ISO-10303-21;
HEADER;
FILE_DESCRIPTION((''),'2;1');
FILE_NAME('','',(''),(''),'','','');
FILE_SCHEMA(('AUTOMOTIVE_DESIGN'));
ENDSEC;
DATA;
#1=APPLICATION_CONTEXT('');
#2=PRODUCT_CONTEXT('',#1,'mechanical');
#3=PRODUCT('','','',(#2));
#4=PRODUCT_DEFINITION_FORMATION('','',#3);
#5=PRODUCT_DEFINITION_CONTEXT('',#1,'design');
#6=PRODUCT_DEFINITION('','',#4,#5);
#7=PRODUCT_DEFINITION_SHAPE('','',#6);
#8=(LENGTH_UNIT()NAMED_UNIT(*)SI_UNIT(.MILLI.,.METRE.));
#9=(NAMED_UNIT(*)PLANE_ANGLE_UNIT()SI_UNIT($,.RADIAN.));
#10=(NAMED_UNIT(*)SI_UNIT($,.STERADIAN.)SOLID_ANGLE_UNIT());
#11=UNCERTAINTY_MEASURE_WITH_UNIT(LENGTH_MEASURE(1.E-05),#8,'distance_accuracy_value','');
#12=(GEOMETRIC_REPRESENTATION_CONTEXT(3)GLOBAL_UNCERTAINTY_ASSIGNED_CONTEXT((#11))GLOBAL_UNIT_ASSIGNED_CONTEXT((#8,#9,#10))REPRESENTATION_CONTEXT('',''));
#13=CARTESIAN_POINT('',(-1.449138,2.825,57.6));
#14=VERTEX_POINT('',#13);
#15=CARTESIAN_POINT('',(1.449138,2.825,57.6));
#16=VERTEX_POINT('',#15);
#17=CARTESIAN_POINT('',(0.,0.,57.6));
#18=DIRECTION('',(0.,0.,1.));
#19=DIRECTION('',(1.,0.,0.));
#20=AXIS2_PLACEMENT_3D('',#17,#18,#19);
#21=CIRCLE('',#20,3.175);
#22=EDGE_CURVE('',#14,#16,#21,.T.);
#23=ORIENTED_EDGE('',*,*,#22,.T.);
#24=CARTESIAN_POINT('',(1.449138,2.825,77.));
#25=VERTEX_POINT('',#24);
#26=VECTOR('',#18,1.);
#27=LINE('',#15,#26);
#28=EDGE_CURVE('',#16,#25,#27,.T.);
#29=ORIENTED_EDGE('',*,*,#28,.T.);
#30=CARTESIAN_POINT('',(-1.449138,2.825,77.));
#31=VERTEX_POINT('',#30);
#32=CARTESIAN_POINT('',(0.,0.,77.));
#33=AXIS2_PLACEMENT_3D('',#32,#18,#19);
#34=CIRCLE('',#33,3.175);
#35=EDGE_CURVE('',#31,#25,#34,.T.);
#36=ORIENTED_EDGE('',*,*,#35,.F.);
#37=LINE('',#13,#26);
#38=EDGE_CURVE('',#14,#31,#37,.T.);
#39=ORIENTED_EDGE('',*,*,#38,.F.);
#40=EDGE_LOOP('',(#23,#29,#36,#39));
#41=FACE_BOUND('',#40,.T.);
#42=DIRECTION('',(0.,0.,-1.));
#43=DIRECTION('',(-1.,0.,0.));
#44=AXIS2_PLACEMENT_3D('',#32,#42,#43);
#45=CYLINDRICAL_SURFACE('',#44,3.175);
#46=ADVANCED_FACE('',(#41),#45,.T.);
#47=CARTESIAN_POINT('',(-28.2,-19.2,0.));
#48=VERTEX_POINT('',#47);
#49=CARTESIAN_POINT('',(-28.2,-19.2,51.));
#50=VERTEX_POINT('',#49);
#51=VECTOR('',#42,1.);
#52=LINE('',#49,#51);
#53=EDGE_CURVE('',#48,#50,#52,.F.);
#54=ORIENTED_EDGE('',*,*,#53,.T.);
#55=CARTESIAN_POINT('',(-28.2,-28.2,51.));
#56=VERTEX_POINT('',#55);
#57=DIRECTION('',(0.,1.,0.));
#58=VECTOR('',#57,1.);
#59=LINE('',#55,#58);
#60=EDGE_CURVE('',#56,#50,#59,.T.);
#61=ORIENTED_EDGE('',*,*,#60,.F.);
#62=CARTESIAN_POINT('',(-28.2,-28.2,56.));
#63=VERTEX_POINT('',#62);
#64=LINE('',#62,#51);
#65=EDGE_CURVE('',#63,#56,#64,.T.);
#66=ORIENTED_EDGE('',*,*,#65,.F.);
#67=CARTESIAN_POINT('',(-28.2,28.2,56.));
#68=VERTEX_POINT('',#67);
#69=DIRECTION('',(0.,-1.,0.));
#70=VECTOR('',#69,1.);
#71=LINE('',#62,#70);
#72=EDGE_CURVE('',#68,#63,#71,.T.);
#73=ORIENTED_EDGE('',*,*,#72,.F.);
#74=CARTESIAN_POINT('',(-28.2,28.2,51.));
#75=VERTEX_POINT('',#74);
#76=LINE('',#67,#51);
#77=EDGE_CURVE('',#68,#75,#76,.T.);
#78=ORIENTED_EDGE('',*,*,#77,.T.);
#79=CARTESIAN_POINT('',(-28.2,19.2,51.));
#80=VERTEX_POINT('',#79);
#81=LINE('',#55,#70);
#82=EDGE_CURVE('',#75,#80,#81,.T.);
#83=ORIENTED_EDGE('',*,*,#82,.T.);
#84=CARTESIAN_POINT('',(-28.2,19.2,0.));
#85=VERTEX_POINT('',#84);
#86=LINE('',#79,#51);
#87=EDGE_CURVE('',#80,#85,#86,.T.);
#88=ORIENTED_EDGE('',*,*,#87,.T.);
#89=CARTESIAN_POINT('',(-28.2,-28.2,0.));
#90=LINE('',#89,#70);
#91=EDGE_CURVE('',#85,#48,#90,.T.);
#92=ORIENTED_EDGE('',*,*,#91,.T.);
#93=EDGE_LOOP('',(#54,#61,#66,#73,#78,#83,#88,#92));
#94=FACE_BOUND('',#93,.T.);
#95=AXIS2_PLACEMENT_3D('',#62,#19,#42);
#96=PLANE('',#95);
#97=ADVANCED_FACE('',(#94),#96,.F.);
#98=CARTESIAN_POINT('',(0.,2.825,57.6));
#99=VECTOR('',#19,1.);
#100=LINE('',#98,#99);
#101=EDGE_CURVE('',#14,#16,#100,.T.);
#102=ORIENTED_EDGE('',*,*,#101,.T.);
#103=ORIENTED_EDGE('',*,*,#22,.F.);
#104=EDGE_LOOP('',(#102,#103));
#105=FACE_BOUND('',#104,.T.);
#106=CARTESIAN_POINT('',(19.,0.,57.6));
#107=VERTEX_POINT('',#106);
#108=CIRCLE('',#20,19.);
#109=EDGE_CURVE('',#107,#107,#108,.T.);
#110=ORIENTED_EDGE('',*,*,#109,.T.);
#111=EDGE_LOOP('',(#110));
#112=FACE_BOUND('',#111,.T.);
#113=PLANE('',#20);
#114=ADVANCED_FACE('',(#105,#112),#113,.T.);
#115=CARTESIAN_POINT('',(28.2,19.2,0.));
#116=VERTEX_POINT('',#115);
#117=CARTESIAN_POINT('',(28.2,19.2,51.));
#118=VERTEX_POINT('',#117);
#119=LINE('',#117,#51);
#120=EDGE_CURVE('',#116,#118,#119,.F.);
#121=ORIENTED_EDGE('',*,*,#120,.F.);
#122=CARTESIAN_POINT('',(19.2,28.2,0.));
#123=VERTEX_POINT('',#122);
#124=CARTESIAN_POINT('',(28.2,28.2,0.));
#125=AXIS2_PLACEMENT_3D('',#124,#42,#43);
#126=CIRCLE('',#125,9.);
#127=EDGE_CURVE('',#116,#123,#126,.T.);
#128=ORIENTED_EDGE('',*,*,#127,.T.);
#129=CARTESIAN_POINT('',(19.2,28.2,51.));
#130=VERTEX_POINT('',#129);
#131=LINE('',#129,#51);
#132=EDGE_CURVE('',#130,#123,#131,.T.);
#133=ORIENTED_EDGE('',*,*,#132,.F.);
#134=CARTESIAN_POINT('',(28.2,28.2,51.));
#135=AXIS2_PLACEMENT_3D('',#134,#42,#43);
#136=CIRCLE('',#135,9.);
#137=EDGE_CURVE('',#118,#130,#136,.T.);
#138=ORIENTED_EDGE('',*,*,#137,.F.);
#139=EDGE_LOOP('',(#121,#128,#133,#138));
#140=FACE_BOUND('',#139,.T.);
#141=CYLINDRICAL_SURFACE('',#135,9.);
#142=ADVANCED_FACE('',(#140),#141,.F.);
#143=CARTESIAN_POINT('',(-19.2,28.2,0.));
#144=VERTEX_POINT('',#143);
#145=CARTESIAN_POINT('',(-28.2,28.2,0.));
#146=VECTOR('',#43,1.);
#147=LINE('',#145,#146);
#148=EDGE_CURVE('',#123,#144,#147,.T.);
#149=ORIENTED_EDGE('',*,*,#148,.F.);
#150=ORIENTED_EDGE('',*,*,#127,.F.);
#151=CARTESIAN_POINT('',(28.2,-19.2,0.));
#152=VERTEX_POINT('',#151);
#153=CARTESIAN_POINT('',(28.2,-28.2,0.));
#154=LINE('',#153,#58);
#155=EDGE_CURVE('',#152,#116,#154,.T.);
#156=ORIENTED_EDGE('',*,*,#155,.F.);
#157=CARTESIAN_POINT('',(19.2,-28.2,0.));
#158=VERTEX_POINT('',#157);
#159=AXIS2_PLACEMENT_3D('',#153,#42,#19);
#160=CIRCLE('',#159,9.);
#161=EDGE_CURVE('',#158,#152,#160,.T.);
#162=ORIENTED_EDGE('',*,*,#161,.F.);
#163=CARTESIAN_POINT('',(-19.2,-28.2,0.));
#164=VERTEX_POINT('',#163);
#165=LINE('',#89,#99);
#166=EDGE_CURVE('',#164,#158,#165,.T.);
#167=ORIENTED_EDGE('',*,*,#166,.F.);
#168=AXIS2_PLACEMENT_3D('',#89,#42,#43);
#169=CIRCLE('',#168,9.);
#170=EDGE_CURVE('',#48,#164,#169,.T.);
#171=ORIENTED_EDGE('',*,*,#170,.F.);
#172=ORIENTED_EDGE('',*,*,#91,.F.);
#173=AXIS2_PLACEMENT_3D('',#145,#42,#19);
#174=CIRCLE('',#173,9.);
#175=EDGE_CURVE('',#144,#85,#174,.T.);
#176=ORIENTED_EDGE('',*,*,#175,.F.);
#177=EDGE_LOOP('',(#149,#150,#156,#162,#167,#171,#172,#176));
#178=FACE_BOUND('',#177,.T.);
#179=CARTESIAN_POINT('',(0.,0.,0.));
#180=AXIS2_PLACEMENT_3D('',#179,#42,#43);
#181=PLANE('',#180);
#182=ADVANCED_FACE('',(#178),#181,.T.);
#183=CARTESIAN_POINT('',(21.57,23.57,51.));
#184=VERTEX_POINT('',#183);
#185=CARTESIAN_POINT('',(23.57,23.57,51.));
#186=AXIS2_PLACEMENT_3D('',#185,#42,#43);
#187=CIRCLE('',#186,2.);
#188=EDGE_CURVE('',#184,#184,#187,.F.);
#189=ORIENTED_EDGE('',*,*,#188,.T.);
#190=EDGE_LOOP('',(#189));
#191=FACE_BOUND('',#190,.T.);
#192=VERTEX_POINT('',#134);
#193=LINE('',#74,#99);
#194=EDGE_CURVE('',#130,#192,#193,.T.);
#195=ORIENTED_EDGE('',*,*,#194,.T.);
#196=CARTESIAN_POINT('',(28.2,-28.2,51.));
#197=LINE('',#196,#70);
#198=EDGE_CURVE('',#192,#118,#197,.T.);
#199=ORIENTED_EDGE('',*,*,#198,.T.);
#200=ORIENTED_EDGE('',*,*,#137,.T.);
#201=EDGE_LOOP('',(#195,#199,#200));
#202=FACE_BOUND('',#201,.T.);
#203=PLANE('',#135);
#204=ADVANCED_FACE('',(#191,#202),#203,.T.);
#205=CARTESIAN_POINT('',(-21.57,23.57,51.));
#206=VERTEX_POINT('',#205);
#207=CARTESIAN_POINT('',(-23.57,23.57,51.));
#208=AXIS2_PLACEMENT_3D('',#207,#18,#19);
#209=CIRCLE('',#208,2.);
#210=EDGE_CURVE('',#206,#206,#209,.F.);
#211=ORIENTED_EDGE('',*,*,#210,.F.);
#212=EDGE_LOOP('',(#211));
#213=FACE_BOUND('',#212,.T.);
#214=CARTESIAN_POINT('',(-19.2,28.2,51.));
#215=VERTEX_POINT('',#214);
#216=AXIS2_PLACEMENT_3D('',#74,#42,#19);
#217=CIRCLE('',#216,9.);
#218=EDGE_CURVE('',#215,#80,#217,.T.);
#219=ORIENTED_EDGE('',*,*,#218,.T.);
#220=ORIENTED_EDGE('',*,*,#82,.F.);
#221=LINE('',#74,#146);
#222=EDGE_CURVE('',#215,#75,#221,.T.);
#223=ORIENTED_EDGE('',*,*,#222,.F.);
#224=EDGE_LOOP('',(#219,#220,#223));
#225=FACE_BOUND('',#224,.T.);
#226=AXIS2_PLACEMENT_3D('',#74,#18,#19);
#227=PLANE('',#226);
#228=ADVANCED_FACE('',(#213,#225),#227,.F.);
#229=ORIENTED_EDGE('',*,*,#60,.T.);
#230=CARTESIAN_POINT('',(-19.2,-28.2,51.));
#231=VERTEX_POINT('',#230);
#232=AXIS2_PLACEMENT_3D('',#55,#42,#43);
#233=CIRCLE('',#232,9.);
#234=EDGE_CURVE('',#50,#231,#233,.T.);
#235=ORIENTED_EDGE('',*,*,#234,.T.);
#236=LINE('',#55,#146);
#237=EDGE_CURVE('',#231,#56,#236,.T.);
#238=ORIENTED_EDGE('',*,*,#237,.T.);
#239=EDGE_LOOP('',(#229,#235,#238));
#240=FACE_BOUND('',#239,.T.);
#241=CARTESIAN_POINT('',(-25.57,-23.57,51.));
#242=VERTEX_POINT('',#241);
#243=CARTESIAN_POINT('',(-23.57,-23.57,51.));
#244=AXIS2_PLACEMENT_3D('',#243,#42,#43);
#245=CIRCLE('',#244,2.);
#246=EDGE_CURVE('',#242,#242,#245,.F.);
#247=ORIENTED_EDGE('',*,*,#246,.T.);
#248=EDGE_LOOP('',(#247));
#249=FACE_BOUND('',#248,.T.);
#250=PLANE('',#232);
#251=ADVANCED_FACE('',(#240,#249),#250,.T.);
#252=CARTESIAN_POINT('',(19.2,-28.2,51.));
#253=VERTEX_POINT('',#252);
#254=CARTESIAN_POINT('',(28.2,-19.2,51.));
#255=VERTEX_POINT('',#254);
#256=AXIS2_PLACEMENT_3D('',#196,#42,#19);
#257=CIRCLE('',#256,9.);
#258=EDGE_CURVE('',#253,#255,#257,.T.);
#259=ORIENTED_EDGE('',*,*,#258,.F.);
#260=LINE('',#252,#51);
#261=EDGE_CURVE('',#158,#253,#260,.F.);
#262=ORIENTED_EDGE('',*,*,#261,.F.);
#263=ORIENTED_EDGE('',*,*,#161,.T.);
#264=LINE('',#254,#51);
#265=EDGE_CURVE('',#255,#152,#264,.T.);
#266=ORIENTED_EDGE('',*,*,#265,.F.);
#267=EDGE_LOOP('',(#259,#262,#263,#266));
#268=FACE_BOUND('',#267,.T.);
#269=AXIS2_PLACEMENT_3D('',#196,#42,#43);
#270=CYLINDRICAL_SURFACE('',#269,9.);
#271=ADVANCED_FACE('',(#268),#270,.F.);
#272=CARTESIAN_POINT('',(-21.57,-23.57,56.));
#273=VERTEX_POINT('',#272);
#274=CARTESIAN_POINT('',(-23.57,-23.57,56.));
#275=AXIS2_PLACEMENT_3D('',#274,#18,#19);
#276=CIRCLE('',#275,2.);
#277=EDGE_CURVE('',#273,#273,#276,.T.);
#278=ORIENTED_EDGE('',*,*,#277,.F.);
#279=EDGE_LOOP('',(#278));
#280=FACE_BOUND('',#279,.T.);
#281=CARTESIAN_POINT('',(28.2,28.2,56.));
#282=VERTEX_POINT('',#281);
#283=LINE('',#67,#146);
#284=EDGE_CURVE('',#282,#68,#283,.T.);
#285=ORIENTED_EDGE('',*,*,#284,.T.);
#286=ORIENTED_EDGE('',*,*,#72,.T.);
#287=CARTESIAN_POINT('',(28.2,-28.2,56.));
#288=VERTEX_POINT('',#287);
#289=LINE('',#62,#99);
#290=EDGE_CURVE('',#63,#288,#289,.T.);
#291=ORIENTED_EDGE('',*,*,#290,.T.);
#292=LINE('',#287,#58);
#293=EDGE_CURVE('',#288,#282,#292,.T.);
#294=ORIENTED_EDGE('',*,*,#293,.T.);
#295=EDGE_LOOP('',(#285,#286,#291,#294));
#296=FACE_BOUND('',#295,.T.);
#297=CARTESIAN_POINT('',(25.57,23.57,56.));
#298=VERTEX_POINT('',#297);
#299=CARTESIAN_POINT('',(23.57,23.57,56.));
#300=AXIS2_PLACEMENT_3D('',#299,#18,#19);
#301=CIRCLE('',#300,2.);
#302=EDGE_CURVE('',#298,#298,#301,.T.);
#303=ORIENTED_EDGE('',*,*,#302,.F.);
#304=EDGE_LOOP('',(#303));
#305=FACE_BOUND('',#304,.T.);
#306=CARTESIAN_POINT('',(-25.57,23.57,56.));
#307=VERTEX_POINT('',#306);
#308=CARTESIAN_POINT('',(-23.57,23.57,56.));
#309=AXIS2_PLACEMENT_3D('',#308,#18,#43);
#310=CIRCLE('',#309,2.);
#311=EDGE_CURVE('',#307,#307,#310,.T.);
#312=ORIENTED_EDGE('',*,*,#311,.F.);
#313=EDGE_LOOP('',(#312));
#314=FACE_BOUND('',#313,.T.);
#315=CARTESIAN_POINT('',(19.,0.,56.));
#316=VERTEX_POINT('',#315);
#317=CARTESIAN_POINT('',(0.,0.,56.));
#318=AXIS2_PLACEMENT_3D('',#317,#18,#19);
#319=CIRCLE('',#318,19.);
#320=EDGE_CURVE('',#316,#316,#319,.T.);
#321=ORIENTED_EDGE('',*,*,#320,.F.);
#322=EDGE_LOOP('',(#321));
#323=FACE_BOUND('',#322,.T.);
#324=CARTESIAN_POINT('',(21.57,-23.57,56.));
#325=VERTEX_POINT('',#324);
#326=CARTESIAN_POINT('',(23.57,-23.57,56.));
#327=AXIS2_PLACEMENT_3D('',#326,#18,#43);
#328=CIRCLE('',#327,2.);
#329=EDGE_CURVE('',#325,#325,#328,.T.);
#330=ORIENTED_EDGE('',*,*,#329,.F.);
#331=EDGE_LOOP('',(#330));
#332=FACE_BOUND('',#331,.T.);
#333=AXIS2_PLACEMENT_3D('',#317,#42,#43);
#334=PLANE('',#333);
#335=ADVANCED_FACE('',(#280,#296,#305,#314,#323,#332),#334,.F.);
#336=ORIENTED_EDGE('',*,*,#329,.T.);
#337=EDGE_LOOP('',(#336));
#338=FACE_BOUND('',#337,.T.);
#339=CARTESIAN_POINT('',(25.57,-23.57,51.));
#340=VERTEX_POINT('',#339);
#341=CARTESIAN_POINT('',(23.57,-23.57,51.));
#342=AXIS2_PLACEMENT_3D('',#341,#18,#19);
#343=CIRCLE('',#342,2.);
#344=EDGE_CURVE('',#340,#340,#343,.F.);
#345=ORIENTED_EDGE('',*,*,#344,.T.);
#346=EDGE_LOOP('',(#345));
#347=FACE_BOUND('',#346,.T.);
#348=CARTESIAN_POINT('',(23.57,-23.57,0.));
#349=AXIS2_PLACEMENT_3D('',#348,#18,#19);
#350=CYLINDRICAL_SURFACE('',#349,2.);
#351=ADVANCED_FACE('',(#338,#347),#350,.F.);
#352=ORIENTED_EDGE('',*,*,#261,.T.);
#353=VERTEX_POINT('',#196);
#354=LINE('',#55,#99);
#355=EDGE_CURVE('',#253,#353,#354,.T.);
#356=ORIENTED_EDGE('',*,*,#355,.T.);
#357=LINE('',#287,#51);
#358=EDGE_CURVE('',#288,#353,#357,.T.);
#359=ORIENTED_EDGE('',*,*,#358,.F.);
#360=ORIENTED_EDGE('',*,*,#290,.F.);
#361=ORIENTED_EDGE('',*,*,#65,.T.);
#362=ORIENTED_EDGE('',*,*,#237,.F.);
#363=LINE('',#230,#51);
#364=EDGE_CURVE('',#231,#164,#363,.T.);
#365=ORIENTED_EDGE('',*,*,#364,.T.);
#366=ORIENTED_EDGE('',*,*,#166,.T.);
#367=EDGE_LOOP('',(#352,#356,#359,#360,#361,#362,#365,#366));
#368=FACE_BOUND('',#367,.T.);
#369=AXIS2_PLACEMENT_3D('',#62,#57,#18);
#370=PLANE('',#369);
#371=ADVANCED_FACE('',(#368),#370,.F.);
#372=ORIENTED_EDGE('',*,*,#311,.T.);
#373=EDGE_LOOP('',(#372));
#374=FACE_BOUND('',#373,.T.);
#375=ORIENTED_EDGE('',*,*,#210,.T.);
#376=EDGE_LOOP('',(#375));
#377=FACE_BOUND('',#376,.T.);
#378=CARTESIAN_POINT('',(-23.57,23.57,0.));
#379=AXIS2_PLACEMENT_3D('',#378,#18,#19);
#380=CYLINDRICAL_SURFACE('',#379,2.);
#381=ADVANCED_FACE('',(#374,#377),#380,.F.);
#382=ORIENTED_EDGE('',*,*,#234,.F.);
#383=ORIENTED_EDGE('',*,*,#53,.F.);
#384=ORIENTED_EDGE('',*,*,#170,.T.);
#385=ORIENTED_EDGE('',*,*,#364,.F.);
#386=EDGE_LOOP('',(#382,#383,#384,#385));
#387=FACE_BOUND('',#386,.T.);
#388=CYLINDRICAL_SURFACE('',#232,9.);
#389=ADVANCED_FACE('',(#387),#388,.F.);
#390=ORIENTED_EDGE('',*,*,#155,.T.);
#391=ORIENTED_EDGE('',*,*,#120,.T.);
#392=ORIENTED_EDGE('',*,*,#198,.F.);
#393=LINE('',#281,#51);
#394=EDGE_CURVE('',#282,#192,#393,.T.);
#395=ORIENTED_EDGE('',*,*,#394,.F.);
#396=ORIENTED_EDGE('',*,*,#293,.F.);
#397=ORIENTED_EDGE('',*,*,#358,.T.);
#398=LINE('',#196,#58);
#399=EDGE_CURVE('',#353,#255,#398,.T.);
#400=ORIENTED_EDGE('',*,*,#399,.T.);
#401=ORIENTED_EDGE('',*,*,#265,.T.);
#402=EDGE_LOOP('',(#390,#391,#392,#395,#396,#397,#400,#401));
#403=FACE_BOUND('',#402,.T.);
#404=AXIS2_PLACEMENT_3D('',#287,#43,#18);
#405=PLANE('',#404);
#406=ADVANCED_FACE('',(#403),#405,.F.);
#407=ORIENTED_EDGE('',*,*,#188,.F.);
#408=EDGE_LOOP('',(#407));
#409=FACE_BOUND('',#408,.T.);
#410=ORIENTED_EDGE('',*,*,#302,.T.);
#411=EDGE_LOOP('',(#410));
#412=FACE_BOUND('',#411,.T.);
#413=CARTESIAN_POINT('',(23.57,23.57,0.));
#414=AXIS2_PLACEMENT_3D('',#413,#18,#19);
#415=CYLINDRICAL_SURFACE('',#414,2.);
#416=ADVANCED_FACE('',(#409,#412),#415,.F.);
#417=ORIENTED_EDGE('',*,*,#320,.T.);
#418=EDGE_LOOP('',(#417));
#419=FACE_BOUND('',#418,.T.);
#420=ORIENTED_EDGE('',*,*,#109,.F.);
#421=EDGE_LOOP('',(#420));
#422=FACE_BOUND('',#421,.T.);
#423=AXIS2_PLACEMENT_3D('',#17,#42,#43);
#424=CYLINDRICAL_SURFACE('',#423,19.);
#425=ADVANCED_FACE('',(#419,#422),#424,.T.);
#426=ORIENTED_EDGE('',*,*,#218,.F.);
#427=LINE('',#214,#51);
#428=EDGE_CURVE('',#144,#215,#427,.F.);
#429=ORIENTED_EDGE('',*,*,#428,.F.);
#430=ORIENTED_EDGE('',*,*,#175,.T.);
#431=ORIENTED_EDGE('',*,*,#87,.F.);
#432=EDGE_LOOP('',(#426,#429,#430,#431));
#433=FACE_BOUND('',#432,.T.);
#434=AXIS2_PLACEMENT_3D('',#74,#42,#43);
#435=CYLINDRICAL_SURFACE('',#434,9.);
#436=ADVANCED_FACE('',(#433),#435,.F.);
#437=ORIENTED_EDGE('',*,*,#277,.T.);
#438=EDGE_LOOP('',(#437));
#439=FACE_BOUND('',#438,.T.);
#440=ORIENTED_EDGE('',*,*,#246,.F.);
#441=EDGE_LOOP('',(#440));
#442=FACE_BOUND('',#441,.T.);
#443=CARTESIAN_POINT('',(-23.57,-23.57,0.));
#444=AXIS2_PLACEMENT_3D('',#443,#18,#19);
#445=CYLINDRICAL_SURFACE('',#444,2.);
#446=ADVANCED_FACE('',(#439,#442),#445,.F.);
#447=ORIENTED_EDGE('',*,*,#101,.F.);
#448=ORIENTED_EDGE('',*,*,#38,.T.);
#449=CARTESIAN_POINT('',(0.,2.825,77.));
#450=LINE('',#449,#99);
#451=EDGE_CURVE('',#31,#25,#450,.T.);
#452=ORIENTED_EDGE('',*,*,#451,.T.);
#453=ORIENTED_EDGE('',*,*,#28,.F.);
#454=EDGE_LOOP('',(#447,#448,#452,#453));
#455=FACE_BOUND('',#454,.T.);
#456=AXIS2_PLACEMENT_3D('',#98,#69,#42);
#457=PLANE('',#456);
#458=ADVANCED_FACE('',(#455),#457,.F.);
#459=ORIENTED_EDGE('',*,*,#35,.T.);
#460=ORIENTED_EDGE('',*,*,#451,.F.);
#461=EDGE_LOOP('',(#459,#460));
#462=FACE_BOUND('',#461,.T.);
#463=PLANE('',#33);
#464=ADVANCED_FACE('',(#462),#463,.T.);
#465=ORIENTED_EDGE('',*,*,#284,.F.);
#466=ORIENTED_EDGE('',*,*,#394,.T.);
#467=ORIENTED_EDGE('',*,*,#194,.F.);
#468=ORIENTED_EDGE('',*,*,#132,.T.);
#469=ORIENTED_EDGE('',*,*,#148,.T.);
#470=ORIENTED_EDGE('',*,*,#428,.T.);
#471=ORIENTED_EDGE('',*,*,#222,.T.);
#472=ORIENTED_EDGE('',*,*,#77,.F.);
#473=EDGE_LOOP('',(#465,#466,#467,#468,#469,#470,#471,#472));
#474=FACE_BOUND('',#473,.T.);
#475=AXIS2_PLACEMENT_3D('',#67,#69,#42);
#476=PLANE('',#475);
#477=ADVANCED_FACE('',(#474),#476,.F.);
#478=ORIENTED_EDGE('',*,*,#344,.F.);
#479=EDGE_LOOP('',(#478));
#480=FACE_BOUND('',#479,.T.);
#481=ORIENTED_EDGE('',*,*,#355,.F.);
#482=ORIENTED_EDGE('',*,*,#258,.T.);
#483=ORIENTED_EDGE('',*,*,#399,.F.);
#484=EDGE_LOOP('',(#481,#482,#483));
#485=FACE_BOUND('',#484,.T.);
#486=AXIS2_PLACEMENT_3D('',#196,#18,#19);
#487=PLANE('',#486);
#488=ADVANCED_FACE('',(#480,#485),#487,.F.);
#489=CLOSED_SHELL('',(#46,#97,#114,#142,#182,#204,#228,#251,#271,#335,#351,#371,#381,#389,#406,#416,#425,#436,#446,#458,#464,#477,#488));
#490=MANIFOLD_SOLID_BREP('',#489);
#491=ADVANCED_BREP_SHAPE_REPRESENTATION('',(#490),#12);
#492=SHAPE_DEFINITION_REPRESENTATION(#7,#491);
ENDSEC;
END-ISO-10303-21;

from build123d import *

# Parameters (mm, degrees)
SKETCH1_W           = 56.4
SKETCH1_H           = 56.4
BOSS_EXTRUDE1_DEPTH = 56
SKETCH2_R           = 19
BOSS_EXTRUDE2_DEPTH = 1.6
SKETCH3_R           = 3.175
BOSS_EXTRUDE3_DEPTH = 19.4
CUT_EXTRUDE1_DEPTH  = 19.4
SKETCH5_R           = 2
CUT_EXTRUDE2_DEPTH  = 69.749399997
SKETCH6_R           = 9
CUT_EXTRUDE3_DEPTH  = 51


with BuildPart() as part:
    # Sketch1 → Boss-Extrude1 (new body)
    with BuildSketch(Plane.XY):
        Rectangle(SKETCH1_W, SKETCH1_H)
    extrude(amount=BOSS_EXTRUDE1_DEPTH)

    # Sketch2 → Boss-Extrude2 (add)
    with BuildSketch(Plane.XY.offset(56)):
        Circle(SKETCH2_R)
    extrude(amount=BOSS_EXTRUDE2_DEPTH)

    # Sketch3 → Boss-Extrude3 (add)
    with BuildSketch(Plane.XY.offset(57.6)):
        Circle(SKETCH3_R)
    extrude(amount=BOSS_EXTRUDE3_DEPTH)

    # Sketch4 → Cut-Extrude1 (cut)
    with BuildSketch(Plane.XY.offset(77)):
        Polygon((-97.277384537, 2.825), (-1.449137675, 2.825), (1.449137675, 2.825), (97.277384537, 2.825), (97.277384537, 194.481493724), (-97.277384537, 194.481493724), align=None)
    extrude(amount=-CUT_EXTRUDE1_DEPTH, mode=Mode.SUBTRACT)

    # Sketch5 → Cut-Extrude2 (cut, through all)
    with BuildSketch(Plane.XY.offset(56)):
        with Locations((23.57, 23.57)):
            Circle(SKETCH5_R)
        with Locations(Location((-23.57, 23.57, 0), (0, 0, 180))):
            Circle(SKETCH5_R)
        with Locations(Location((23.57, -23.57, 0), (0, 0, 180))):
            Circle(SKETCH5_R)
        with Locations((-23.57, -23.57)):
            Circle(SKETCH5_R)
    extrude(amount=-CUT_EXTRUDE2_DEPTH, mode=Mode.SUBTRACT)

    # Sketch6 → Cut-Extrude3 (cut)
    with BuildSketch(Plane(origin=(0, 0, 0), x_dir=(-1, 0, 0), z_dir=(0, 0, -1))):
        with Locations((-28.2, 28.2)):
            Circle(SKETCH6_R)
        with Locations((-28.2, -28.2)):
            Circle(SKETCH6_R)
        with Locations((28.2, -28.2)):
            Circle(SKETCH6_R)
        with Locations((28.2, 28.2)):
            Circle(SKETCH6_R)
    extrude(amount=-CUT_EXTRUDE3_DEPTH, mode=Mode.SUBTRACT)


solid = part.part
